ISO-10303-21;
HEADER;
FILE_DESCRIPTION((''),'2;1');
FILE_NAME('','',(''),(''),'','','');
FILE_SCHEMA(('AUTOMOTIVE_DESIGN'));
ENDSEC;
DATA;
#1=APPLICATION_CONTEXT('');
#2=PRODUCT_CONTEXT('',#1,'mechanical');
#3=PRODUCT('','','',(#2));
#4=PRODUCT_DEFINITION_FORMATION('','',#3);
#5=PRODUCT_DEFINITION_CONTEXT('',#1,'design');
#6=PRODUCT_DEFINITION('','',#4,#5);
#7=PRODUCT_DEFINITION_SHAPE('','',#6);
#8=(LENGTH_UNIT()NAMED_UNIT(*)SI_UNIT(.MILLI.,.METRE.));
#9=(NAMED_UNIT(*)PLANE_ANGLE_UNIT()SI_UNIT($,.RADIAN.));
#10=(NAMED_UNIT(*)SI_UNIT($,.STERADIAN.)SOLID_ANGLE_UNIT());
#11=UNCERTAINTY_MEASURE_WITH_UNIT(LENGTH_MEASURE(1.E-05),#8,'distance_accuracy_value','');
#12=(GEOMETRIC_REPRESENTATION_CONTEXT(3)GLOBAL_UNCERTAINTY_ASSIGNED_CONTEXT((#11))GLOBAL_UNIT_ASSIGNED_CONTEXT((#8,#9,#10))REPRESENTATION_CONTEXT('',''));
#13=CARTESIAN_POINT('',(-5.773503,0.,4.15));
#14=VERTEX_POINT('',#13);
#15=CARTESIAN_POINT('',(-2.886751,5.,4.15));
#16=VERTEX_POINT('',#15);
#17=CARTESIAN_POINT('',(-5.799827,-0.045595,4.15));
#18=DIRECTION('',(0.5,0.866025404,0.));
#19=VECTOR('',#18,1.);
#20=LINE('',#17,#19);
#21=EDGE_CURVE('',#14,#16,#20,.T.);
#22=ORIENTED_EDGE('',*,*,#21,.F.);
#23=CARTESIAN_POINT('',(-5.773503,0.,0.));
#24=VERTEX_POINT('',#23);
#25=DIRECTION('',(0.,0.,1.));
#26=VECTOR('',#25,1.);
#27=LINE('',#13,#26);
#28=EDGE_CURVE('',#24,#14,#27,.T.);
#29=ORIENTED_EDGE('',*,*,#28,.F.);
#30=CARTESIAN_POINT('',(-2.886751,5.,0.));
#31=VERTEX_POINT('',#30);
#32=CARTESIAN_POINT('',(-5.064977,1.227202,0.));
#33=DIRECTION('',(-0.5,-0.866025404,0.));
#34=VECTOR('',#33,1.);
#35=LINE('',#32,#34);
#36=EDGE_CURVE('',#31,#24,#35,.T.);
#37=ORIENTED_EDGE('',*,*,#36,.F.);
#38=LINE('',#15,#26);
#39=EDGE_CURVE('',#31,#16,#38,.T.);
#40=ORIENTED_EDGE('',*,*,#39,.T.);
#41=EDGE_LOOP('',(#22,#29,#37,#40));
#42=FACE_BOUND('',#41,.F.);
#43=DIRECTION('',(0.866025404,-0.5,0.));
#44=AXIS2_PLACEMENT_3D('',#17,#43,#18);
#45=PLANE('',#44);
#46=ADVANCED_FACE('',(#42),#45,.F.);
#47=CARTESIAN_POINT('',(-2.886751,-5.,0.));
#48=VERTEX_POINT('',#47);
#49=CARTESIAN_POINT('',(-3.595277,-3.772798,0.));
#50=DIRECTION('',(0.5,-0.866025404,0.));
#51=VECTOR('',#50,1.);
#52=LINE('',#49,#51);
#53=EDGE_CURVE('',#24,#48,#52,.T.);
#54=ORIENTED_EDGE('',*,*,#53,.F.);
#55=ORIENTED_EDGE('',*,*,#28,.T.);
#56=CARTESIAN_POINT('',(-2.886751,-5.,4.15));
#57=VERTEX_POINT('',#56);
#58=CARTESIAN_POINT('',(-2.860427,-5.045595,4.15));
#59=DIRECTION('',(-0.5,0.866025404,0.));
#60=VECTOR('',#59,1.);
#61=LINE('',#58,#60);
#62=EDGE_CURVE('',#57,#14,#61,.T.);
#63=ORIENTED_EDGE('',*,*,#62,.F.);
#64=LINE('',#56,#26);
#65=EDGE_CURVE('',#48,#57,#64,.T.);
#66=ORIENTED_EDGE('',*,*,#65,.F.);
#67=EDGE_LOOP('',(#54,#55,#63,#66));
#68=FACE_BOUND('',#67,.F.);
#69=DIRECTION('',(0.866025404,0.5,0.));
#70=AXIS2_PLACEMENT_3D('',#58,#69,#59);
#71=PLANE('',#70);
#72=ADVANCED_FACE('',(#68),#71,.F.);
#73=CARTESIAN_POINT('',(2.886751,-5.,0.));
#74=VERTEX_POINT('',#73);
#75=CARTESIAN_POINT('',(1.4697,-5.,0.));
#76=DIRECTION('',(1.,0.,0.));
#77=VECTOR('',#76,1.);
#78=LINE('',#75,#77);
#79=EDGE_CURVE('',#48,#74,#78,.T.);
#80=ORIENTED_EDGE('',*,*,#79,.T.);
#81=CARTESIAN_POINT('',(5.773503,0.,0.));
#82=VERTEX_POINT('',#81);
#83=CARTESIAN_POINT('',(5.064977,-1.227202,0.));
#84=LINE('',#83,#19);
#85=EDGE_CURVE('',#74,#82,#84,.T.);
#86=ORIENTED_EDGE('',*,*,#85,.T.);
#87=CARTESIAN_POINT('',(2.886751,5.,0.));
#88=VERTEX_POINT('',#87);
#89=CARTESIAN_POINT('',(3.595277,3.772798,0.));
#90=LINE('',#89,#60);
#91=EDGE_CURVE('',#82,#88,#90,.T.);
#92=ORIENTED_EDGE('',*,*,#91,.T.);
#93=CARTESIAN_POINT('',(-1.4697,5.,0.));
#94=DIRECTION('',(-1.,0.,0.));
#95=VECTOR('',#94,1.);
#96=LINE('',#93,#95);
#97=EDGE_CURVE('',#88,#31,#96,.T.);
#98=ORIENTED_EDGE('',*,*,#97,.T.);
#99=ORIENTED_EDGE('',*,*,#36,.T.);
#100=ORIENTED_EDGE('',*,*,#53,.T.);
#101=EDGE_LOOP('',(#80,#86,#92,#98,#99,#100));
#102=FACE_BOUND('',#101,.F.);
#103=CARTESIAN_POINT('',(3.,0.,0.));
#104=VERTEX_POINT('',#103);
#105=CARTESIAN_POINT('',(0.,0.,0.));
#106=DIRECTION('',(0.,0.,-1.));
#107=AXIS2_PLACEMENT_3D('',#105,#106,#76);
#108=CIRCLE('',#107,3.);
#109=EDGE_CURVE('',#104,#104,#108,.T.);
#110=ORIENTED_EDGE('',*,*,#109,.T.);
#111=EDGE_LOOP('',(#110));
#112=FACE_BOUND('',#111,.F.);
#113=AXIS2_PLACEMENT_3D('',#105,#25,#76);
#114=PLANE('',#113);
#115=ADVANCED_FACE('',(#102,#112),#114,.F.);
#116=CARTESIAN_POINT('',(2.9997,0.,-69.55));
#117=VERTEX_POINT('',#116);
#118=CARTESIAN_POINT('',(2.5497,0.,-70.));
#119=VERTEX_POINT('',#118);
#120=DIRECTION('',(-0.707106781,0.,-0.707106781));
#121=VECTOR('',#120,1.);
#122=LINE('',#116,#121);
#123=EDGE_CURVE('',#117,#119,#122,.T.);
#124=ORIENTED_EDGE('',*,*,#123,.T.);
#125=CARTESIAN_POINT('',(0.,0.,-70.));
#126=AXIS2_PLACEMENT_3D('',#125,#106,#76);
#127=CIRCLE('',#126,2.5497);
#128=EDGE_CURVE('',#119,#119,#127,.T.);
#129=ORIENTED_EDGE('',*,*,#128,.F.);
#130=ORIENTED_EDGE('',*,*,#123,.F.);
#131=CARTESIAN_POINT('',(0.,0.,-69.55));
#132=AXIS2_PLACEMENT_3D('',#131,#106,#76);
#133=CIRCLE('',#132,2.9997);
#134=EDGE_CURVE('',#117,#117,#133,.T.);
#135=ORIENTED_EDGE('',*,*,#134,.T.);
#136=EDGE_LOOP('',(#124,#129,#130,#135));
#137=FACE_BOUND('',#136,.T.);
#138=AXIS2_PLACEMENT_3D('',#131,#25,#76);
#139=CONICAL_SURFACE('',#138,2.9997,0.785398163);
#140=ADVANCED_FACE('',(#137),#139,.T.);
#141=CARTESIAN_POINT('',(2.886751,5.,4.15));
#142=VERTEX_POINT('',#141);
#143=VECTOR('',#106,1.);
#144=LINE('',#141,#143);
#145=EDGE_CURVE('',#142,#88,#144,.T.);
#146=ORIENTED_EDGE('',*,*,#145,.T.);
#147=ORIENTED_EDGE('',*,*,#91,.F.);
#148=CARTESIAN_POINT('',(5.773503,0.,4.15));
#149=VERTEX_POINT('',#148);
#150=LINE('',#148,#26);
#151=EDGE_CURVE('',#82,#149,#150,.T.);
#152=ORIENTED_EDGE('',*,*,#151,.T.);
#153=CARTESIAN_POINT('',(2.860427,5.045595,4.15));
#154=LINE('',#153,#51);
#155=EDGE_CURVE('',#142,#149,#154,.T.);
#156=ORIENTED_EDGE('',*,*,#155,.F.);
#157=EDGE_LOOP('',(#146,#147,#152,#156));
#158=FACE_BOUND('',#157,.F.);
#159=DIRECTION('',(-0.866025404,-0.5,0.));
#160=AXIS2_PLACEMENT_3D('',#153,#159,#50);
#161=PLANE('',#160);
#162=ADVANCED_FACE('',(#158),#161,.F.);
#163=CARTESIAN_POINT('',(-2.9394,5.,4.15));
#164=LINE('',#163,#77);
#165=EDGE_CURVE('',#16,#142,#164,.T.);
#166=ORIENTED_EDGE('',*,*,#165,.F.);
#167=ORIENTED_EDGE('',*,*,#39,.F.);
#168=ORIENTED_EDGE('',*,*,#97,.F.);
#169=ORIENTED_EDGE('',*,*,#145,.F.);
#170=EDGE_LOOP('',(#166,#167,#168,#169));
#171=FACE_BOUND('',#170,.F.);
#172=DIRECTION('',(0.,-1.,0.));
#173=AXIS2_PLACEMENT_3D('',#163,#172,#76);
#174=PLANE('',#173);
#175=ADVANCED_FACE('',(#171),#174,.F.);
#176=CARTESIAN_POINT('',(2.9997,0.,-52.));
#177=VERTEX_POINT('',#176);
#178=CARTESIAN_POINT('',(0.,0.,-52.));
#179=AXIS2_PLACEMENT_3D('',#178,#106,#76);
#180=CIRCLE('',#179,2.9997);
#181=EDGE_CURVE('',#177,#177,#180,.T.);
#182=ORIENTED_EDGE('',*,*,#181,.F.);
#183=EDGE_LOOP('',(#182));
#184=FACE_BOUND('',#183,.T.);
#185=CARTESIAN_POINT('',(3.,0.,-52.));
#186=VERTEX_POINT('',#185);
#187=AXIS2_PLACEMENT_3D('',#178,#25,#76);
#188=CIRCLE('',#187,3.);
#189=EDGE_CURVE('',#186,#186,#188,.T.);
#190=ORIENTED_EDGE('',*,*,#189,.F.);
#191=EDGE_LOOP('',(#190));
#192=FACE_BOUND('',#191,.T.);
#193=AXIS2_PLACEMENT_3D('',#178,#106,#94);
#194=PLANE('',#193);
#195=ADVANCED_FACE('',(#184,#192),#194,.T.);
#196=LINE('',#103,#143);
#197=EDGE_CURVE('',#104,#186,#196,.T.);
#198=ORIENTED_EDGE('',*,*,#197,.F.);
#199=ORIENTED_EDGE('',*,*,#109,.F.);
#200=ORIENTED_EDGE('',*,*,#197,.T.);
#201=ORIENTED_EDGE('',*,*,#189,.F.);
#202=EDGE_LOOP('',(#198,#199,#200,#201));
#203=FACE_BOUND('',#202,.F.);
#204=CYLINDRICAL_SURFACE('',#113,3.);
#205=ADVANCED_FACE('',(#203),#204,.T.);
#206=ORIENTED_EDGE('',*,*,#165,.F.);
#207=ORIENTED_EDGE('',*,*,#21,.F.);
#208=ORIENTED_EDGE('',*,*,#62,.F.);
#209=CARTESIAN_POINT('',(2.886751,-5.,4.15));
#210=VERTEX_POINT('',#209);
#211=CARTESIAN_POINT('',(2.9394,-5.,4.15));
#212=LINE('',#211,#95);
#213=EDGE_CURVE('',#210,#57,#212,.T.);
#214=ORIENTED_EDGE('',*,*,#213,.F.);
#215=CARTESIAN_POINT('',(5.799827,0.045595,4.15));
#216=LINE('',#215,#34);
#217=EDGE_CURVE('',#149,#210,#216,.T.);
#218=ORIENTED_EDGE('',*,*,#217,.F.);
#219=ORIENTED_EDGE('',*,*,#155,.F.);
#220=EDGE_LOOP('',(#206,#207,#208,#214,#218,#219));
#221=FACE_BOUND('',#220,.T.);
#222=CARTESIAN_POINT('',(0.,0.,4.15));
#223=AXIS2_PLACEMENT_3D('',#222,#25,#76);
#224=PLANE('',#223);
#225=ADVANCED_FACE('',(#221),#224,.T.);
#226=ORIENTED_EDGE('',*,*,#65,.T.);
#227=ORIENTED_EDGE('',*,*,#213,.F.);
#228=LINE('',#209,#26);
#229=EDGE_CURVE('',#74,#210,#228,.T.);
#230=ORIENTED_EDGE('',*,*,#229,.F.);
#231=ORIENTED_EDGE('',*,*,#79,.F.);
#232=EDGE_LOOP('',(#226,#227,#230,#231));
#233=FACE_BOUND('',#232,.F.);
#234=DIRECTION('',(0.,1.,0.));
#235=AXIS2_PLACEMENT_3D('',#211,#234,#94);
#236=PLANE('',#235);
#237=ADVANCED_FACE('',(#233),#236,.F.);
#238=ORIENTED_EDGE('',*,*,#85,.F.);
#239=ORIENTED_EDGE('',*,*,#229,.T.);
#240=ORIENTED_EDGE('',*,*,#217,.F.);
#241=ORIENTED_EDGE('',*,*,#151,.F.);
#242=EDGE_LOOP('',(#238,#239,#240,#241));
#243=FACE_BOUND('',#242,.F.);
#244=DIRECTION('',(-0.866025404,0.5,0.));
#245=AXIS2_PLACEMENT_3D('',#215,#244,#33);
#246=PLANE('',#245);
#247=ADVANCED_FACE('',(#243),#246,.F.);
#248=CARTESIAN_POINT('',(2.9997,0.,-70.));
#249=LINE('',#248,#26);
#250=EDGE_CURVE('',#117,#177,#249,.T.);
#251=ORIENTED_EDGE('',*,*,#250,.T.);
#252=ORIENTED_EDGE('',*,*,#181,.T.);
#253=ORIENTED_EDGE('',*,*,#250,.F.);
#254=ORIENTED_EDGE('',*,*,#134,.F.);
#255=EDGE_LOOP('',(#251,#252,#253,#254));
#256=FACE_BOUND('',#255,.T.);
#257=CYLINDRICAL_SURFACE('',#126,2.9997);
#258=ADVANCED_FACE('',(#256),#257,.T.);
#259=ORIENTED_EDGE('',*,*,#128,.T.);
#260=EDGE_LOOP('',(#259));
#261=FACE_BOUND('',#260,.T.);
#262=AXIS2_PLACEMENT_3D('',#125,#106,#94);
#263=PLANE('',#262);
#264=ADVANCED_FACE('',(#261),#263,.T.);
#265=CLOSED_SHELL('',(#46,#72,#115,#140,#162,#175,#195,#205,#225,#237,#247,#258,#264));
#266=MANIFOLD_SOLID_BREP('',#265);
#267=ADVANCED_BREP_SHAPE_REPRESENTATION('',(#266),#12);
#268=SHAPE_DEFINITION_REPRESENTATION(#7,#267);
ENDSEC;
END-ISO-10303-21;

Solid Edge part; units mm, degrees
sketch "Sketch1" plane through (0, 0, 0) normal (0, 0, 1) x (1, 0, 0)
  circle A0 centre (0, 0) radius 5.8
  dimension "D1" = 11.6
extrude "Protrusion1" add sketch "Sketch1" along normal blind 4.15
sketch "Sketch2" plane through (0, 0, 0) normal (0, 0, -1) x (1, 0, 0)
  circle A0 centre (0, 0) radius 3
extrude "Protrusion2" add sketch "Sketch2" along normal blind 70
sketch "Sketch3" plane through (0, 0, -70) normal (0, 0, -1) x (1, 0, 0)
  circle A0 centre (0, 0) radius 2.9997
extrude "Cutout1" cut sketch "Sketch3" against normal blind 18 flip side to cut
chamfer "Chamfer_1" distance 0.45 angle 45 1 edges at (-2.9997, 0, -70)
sketch "Sketch4" plane through (0, 0, 4.15) normal (0, 0, 1) x (1, 0, 0)
  line L0 (-2.9394, 5) -> (2.9394, 5)
  dimension "D1" = 10
extrude "Cutout2" cut sketch "Sketch4" against normal up to next material side at (0, 5.05, 4.15)
pattern_circular "Pattern1" count 6 over 360 about axis through (0, 0, 4.15) along (0, 0, 1) of "Cutout2"
properties part number "118479"
